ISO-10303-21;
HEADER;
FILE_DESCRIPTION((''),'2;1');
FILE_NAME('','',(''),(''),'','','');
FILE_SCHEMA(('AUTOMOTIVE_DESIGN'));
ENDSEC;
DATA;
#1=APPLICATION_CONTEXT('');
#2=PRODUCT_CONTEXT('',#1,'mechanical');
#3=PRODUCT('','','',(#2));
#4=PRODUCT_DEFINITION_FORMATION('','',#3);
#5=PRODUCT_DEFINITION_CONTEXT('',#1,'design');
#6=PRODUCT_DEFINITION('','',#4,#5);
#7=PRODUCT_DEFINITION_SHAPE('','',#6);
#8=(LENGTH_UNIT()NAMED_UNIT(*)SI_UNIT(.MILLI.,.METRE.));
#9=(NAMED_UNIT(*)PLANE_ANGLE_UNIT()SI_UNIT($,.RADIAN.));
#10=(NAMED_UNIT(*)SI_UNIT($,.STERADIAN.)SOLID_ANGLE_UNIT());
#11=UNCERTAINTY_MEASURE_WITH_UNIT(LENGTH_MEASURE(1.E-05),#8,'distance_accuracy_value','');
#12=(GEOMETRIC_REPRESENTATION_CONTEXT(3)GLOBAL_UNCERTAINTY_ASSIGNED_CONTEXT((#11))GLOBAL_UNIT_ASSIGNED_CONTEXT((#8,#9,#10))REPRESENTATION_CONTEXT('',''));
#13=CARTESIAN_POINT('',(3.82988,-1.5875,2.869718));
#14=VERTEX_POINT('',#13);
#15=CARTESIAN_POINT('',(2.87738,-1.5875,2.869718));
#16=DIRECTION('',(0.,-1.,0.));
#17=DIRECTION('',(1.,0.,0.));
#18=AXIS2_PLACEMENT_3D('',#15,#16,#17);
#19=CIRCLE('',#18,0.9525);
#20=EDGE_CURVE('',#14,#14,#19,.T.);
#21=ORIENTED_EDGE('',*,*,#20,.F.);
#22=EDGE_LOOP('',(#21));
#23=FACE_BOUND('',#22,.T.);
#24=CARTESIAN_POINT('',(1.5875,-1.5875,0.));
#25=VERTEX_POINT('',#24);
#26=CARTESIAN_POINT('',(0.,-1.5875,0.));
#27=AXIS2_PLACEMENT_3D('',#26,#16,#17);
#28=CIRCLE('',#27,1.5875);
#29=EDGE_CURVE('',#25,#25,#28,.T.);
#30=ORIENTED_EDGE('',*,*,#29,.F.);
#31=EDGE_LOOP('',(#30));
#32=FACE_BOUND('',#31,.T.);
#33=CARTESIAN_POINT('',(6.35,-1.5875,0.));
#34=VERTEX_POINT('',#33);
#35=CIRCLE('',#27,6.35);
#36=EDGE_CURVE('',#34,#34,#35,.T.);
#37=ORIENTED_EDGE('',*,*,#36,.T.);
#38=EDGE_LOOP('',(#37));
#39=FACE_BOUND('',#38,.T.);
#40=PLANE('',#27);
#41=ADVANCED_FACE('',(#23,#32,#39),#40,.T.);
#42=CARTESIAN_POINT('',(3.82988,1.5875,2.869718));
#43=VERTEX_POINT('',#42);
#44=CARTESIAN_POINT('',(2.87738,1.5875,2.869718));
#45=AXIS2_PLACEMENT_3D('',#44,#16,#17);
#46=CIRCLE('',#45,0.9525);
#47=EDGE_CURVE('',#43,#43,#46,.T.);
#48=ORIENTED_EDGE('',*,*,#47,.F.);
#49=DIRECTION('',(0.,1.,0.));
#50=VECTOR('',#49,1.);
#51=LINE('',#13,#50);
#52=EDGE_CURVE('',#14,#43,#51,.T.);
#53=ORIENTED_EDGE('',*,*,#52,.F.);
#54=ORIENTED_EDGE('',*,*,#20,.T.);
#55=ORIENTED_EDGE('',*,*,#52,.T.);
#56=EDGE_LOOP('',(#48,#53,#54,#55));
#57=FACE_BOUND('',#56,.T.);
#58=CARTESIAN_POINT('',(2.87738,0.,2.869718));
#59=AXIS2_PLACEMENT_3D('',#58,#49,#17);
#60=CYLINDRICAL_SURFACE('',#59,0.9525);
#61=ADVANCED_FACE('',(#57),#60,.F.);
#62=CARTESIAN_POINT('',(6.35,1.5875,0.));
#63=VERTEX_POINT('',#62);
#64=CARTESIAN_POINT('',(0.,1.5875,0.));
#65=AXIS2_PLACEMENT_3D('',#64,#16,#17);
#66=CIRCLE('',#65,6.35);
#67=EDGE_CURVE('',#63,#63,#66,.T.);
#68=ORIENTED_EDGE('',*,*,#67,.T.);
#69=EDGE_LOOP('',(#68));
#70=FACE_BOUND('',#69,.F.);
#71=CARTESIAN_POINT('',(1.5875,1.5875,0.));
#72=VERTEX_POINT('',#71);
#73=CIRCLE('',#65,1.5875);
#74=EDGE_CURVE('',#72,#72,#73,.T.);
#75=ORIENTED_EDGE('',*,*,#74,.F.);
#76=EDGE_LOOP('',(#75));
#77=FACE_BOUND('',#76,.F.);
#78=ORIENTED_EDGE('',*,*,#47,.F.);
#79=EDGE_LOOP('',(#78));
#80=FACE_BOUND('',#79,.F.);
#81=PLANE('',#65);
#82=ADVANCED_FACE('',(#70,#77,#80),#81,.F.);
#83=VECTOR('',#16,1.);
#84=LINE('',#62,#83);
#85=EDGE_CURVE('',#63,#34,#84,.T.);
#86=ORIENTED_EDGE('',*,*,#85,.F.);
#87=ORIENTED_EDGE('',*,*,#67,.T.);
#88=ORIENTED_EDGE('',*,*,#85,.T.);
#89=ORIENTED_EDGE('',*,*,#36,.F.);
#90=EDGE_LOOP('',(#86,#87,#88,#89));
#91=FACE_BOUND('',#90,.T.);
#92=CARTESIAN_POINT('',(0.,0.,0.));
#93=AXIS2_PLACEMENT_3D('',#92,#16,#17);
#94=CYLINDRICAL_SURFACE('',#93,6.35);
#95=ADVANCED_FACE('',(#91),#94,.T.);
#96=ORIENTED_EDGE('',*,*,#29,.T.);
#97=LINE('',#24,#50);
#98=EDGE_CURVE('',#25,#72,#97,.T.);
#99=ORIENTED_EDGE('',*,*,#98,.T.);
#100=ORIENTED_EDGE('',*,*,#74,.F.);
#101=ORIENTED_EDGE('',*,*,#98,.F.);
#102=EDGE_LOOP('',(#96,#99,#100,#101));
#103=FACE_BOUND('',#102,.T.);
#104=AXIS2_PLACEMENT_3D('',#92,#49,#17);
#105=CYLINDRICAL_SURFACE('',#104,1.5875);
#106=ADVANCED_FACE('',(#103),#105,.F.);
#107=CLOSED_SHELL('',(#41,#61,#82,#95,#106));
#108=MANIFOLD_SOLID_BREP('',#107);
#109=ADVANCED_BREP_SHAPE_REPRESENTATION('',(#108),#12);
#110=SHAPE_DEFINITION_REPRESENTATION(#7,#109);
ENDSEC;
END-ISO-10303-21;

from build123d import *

# Parameters (mm, degrees)
F0_R     = 6.35
F0_R_2   = 1.5875
F0_R_3   = 0.9525
F1_DEPTH = 1.5875


with BuildPart() as f1:
    # F0 (on Front) → F1 (new body, symmetric)
    with BuildSketch(Plane.XZ):
        Circle(F0_R)
        Circle(F0_R_2, mode=Mode.SUBTRACT)
        with Locations((2.87738, 2.869718)):
            Circle(F0_R_3, mode=Mode.SUBTRACT)
    extrude(amount=F1_DEPTH, both=True)


solid = f1.part
